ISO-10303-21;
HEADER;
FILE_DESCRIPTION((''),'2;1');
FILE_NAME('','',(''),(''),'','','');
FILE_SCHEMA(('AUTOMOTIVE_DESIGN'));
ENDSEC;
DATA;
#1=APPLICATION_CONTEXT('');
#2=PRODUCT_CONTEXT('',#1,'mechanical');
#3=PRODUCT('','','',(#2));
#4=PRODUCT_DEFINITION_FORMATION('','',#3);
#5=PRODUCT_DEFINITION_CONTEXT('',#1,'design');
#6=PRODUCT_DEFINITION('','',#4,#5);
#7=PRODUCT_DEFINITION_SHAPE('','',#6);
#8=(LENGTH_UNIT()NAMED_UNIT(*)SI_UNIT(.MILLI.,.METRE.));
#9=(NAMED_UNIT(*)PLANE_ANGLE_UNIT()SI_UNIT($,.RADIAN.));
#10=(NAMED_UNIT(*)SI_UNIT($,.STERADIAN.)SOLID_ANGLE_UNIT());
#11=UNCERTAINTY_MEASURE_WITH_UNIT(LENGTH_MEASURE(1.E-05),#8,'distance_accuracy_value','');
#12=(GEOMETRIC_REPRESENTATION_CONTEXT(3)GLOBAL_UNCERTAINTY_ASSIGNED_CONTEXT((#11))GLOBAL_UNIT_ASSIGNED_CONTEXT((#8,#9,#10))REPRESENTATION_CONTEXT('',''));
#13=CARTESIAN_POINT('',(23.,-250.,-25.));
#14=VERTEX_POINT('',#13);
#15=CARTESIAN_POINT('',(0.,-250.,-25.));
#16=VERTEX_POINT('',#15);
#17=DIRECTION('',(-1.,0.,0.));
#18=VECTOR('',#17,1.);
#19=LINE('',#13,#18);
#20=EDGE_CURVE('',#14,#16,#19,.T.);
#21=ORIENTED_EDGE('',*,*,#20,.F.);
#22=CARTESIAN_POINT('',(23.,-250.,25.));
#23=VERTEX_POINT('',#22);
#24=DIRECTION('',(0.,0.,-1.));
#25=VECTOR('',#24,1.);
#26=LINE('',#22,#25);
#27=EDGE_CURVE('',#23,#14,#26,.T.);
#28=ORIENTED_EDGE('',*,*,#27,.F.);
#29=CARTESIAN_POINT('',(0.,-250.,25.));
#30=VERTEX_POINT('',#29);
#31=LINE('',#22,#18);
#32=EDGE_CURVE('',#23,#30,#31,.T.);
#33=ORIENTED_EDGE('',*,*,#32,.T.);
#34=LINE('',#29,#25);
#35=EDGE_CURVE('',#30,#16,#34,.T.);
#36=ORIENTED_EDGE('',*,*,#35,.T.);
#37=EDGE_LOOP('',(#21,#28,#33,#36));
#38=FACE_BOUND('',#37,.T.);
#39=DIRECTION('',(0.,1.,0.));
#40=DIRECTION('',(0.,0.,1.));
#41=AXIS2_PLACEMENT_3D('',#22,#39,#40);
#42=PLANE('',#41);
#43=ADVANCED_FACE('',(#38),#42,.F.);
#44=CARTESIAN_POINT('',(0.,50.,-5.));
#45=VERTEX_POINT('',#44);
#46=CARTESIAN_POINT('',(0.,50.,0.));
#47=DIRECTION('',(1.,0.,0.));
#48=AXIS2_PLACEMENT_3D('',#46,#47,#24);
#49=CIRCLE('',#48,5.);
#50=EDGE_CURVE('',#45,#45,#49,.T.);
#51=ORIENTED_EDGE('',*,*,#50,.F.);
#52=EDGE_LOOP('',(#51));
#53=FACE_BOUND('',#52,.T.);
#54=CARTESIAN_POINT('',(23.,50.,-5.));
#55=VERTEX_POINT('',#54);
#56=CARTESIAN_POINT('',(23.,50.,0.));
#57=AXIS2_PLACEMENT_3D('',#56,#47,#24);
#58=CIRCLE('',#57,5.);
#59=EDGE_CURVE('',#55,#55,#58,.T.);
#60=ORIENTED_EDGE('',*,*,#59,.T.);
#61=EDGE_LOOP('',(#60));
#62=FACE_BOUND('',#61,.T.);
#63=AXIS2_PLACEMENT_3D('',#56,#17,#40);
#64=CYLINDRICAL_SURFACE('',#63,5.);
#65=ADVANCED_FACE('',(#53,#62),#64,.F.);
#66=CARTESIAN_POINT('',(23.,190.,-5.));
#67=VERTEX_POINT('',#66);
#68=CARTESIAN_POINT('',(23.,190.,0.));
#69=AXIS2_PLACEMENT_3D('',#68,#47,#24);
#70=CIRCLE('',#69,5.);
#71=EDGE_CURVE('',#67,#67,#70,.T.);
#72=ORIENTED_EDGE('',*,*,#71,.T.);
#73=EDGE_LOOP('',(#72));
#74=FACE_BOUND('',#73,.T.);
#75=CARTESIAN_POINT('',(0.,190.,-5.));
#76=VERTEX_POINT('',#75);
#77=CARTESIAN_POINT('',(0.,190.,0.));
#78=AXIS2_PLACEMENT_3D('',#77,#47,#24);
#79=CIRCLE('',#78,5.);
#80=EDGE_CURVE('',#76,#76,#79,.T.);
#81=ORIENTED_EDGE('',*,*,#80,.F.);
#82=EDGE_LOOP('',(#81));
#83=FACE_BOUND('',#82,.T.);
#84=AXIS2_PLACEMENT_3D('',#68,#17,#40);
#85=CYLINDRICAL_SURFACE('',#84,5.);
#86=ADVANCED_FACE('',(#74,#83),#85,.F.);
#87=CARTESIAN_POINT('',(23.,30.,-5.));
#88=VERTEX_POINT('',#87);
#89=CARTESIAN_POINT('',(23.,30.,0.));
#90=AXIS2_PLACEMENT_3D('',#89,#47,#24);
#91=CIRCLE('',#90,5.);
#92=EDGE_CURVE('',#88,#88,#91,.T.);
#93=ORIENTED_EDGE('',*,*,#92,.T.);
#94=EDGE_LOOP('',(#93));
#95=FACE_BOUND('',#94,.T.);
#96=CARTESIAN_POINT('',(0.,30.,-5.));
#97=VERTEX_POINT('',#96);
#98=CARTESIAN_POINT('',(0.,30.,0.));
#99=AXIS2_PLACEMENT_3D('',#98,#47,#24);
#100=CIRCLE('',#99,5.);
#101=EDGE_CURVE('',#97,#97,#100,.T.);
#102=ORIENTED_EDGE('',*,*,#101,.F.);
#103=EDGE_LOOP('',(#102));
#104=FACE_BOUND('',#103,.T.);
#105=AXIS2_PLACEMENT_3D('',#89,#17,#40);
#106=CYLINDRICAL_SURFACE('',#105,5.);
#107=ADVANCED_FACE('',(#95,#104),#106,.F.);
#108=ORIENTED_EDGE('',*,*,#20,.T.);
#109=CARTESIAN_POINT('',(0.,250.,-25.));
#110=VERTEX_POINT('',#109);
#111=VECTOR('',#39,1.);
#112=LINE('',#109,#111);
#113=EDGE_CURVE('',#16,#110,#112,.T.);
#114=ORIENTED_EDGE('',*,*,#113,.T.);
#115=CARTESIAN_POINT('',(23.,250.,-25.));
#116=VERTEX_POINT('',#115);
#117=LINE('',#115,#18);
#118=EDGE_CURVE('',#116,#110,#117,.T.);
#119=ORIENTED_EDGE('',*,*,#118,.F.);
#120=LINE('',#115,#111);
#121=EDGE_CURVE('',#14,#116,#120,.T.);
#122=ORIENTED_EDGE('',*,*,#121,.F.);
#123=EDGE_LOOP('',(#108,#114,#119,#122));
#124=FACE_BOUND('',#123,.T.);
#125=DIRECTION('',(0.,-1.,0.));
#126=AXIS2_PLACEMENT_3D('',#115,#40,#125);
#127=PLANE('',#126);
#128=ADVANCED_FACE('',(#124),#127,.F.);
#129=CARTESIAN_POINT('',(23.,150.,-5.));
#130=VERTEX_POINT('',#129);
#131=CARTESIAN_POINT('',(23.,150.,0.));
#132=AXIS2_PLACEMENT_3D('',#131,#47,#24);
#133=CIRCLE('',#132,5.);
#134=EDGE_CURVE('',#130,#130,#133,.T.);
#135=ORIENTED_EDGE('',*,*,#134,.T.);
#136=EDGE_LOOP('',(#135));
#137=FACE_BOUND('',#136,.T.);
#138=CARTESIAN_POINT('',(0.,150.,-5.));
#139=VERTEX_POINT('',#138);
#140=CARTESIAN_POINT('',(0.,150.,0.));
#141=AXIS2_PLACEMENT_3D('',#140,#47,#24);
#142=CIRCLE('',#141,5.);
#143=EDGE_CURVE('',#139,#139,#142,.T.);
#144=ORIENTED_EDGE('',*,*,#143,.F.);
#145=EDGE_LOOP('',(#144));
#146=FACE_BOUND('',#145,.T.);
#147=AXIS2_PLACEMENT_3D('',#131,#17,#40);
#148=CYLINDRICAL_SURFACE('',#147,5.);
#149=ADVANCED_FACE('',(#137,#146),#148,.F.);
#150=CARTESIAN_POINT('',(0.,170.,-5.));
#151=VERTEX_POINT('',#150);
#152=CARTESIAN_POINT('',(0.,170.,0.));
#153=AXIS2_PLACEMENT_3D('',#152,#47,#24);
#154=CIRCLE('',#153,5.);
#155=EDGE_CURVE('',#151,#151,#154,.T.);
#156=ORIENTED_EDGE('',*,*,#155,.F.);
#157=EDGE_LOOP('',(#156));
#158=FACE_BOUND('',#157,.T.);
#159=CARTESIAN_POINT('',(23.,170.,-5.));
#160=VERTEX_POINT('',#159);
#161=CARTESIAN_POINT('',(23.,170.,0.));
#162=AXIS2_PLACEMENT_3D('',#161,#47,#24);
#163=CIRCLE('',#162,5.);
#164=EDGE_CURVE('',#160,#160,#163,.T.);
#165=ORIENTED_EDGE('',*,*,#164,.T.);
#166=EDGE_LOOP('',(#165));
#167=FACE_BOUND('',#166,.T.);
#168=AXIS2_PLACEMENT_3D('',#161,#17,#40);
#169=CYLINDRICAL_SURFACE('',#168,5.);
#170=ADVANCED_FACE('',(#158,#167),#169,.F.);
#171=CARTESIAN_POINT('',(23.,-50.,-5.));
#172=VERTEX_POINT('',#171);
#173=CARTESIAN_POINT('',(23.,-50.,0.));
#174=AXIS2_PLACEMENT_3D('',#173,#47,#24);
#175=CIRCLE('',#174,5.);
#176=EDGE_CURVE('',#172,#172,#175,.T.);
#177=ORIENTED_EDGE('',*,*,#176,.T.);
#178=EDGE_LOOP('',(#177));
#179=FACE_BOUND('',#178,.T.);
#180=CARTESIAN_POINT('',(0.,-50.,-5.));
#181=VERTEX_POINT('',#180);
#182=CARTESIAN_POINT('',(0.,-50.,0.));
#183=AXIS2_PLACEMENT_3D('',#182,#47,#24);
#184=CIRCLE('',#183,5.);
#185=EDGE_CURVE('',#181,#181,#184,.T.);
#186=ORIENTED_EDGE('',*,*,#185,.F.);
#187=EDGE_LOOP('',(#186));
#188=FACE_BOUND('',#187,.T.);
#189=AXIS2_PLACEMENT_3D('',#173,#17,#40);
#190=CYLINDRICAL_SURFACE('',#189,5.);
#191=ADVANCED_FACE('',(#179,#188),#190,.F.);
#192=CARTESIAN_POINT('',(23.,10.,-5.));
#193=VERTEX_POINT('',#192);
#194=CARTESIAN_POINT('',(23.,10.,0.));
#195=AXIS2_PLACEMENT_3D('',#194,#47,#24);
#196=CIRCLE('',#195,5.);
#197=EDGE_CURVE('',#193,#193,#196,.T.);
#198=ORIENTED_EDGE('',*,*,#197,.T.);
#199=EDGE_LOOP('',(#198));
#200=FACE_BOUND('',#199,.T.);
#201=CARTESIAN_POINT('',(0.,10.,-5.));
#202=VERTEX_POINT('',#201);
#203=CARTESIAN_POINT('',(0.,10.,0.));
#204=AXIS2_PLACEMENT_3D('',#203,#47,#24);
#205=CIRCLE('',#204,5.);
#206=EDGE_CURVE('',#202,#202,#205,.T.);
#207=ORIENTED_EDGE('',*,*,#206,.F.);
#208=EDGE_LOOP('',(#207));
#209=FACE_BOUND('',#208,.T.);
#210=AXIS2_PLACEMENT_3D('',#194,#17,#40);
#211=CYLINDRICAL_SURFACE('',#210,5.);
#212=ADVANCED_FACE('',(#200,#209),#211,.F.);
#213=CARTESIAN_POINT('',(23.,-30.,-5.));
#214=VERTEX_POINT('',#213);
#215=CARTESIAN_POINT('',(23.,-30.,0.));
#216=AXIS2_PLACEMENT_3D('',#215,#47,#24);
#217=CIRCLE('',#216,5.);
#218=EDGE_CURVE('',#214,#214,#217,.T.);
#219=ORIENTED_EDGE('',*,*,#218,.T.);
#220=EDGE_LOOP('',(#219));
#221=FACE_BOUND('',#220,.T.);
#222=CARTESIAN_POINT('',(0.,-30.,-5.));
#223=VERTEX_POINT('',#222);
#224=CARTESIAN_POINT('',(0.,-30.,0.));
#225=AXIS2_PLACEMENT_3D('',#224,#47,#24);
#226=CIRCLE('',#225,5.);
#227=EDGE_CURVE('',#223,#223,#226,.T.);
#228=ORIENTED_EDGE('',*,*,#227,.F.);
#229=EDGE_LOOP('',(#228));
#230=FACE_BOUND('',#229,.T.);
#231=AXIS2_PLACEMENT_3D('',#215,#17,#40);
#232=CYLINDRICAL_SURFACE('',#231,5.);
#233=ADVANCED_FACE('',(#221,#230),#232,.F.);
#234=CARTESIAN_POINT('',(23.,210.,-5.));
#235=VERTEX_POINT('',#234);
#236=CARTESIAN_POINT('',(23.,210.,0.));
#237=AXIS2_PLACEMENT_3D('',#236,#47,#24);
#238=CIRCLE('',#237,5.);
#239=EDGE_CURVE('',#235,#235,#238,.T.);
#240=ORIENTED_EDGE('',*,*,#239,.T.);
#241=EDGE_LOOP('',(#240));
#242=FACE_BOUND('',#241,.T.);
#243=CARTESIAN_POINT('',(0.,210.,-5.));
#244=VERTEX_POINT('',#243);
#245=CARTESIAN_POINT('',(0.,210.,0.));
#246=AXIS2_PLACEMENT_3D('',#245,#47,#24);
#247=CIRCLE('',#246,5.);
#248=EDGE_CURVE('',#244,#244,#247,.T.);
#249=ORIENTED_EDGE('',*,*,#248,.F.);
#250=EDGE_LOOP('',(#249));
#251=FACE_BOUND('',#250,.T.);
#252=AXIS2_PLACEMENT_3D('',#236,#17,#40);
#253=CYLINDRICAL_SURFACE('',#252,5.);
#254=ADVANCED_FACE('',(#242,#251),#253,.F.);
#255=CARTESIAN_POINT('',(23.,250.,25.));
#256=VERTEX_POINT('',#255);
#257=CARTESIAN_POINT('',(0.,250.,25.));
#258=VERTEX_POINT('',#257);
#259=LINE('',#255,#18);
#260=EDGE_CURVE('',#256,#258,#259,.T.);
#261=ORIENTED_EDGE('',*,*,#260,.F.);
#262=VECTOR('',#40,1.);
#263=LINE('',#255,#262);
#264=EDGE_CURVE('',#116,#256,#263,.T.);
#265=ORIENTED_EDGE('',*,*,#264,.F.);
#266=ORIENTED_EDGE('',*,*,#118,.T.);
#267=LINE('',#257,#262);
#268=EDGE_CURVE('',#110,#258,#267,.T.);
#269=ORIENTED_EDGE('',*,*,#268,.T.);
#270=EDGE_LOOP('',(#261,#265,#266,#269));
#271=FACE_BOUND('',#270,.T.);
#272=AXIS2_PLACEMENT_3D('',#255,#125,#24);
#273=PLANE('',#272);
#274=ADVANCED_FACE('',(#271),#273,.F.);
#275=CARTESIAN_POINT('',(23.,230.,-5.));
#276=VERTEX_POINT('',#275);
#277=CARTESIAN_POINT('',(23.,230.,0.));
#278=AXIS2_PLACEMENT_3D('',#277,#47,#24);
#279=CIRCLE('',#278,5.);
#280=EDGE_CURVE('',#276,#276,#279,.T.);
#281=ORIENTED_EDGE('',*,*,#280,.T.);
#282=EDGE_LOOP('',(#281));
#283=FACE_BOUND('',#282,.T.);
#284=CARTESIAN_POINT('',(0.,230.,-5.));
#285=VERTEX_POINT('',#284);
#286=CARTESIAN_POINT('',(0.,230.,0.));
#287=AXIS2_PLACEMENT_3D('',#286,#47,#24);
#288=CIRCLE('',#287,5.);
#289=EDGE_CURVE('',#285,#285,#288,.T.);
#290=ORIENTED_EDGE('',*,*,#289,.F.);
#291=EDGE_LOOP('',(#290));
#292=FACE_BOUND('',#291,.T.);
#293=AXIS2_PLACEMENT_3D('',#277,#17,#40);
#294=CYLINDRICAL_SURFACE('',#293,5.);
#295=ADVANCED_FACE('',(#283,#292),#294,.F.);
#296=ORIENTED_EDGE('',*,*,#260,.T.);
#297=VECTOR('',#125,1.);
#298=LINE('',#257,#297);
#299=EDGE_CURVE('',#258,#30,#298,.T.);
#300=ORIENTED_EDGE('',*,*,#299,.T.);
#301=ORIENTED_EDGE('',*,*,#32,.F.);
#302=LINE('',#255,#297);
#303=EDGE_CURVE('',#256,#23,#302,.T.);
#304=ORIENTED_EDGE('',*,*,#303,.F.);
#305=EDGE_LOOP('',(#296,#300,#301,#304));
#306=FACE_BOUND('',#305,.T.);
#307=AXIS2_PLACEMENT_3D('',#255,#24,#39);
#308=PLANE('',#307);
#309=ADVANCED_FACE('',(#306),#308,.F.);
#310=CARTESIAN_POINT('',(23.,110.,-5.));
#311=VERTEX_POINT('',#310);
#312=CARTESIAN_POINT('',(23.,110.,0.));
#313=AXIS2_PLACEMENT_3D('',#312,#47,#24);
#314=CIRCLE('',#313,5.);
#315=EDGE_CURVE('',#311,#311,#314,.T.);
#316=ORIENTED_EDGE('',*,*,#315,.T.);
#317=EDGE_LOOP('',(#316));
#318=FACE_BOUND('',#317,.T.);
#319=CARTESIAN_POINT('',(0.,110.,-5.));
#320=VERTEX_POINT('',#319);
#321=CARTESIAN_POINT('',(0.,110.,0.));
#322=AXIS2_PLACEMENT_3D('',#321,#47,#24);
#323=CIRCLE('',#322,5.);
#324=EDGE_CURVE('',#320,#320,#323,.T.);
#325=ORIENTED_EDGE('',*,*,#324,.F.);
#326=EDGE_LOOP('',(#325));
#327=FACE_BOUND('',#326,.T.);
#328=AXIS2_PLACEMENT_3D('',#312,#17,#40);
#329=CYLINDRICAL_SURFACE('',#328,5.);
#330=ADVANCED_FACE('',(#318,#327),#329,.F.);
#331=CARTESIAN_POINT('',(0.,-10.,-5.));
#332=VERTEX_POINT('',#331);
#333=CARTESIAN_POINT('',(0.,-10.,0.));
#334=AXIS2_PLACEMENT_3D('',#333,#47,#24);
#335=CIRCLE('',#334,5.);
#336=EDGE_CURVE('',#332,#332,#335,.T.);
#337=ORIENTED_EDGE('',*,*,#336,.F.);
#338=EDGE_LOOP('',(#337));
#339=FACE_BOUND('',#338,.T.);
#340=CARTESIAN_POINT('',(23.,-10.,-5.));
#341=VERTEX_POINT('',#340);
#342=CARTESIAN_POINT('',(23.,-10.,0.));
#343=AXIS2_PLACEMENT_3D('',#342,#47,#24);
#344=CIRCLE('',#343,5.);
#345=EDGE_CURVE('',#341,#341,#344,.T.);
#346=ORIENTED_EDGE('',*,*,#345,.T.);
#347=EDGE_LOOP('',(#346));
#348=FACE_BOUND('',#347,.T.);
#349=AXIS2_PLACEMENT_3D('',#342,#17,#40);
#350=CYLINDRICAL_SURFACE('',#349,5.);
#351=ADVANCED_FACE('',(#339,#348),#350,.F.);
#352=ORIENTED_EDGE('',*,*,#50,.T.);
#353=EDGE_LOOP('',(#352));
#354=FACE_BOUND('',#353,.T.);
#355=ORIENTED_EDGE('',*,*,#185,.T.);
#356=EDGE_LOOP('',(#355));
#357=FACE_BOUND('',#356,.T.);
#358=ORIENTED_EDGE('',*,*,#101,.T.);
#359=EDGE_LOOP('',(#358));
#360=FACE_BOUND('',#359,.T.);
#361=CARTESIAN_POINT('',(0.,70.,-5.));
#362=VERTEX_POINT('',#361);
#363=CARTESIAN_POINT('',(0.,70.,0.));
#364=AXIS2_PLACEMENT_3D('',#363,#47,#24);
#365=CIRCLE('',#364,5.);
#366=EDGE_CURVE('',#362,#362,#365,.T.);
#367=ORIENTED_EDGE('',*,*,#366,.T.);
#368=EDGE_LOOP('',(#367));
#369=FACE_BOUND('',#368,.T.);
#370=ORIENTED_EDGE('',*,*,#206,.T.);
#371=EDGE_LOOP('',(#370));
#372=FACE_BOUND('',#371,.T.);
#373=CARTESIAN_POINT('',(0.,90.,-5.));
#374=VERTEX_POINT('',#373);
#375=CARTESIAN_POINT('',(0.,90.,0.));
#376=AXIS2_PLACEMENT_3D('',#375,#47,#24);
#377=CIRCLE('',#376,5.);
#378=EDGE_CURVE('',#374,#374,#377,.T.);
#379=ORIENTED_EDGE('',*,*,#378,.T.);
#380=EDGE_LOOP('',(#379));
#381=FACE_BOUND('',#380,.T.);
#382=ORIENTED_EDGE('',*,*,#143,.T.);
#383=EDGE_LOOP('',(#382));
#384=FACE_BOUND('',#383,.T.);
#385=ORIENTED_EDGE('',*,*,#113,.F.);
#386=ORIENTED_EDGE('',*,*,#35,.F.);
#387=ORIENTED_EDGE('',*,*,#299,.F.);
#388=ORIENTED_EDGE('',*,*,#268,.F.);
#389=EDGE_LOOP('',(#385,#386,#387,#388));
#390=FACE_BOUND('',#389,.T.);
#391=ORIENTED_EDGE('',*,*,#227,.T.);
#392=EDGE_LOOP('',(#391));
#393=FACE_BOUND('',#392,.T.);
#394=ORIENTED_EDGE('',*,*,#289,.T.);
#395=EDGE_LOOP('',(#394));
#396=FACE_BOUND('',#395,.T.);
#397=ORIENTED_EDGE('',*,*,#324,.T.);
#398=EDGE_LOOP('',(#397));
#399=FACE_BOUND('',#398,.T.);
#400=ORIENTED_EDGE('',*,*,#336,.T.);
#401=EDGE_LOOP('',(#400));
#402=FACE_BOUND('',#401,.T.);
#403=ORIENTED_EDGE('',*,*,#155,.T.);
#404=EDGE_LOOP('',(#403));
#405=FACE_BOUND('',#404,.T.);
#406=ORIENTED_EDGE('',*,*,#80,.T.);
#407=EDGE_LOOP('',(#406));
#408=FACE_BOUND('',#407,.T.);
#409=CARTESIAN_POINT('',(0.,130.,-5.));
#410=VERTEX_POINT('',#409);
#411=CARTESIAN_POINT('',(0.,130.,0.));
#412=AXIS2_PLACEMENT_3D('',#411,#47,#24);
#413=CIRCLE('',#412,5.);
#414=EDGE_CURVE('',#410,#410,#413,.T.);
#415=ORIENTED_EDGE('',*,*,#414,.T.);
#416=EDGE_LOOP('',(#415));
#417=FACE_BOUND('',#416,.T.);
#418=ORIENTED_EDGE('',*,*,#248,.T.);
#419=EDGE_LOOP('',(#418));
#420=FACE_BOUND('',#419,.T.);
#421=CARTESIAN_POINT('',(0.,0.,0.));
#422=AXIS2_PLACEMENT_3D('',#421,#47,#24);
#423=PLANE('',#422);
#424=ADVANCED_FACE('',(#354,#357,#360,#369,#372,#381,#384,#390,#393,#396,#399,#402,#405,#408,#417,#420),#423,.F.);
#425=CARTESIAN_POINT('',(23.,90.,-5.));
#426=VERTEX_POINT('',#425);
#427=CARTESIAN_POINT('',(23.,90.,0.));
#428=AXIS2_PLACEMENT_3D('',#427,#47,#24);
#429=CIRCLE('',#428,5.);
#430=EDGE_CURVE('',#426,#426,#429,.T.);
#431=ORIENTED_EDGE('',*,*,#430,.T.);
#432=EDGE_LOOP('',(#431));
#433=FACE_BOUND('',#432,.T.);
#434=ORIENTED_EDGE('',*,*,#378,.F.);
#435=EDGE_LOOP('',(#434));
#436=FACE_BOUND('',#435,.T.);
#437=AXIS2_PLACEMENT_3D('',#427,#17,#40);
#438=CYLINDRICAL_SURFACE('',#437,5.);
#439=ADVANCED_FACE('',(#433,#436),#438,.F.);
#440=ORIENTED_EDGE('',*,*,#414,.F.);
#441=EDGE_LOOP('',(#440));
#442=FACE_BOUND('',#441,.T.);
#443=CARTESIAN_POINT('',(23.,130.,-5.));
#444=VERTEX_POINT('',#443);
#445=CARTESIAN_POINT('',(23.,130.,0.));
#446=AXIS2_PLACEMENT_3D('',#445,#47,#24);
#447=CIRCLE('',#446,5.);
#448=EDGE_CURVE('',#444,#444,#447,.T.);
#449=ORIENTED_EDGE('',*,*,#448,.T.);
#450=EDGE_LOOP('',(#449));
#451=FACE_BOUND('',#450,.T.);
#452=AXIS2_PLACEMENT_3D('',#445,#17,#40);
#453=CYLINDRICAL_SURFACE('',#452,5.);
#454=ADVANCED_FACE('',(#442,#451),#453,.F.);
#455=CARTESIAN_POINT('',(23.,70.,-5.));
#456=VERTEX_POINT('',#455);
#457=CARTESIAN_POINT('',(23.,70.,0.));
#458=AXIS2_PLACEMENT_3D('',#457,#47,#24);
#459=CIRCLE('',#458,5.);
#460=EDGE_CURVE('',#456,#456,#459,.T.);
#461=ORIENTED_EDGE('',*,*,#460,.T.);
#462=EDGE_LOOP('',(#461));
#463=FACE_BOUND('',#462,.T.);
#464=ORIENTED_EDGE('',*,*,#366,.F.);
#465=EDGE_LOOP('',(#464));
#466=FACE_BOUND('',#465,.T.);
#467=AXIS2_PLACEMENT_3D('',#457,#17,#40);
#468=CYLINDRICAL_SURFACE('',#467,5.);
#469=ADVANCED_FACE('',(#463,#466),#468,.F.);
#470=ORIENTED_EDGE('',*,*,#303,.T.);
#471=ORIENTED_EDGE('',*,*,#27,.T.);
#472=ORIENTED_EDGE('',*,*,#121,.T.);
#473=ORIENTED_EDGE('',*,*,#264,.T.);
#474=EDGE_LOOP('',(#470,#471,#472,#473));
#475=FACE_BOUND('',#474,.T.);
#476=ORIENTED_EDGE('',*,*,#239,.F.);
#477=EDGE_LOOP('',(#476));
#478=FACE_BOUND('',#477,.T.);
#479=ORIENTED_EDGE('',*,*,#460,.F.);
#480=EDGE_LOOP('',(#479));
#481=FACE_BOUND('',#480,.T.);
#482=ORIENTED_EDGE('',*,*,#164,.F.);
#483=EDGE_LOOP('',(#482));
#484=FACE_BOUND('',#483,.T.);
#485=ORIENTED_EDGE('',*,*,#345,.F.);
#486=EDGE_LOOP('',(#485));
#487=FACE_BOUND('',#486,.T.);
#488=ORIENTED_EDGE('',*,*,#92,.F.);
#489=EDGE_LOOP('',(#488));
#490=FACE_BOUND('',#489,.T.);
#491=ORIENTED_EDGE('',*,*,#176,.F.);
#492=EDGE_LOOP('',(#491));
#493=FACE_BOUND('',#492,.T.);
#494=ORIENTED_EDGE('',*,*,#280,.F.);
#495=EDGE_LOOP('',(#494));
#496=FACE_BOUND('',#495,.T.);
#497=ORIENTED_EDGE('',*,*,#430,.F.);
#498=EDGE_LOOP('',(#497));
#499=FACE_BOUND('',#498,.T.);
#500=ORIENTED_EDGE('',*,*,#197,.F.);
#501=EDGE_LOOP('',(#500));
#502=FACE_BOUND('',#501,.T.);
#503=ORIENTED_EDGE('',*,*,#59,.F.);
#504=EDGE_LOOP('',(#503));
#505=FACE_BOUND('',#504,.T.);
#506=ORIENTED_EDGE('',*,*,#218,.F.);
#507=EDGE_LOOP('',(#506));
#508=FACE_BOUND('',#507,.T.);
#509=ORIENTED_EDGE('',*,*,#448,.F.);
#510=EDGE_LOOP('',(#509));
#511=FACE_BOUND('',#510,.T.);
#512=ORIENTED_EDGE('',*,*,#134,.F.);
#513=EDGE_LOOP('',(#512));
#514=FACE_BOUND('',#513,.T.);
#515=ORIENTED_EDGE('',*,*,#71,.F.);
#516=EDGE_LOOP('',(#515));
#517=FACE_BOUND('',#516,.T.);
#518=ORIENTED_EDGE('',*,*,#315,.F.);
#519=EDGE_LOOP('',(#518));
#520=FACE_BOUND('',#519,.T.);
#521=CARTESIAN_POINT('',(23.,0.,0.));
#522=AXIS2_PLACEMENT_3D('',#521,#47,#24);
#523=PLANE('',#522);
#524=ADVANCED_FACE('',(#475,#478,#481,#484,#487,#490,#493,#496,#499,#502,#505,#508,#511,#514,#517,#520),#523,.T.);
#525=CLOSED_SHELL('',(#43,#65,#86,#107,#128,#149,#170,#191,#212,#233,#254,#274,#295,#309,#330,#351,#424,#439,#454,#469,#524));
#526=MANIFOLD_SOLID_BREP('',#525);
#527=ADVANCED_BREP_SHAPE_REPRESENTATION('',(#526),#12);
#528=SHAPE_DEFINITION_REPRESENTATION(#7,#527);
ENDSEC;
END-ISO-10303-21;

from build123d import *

# Parameters (mm, degrees)
SKETCH1_W           = 50
SKETCH1_H           = 500
SKETCH1_R           = 5
BOSS_EXTRUDE1_DEPTH = 23


with BuildPart() as part:
    # Sketch1 → Boss-Extrude1 (new body)
    with BuildSketch(Plane(origin=(0, 0, 0), x_dir=(0, 0, -1), z_dir=(1, 0, 0))):
        Rectangle(SKETCH1_W, SKETCH1_H)
        with Locations((0, 230)):
            Circle(SKETCH1_R, mode=Mode.SUBTRACT)
        with Locations((0, 210)):
            Circle(SKETCH1_R, mode=Mode.SUBTRACT)
        with Locations((0, 190)):
            Circle(SKETCH1_R, mode=Mode.SUBTRACT)
        with Locations((0, 170)):
            Circle(SKETCH1_R, mode=Mode.SUBTRACT)
        with Locations((0, 150)):
            Circle(SKETCH1_R, mode=Mode.SUBTRACT)
        with Locations((0, 130)):
            Circle(SKETCH1_R, mode=Mode.SUBTRACT)
        with Locations((0, 110)):
            Circle(SKETCH1_R, mode=Mode.SUBTRACT)
        with Locations((0, 90)):
            Circle(SKETCH1_R, mode=Mode.SUBTRACT)
        with Locations((0, 70)):
            Circle(SKETCH1_R, mode=Mode.SUBTRACT)
        with Locations((0, 50)):
            Circle(SKETCH1_R, mode=Mode.SUBTRACT)
        with Locations((0, 30)):
            Circle(SKETCH1_R, mode=Mode.SUBTRACT)
        with Locations((0, 10)):
            Circle(SKETCH1_R, mode=Mode.SUBTRACT)
        with Locations((0, -10)):
            Circle(SKETCH1_R, mode=Mode.SUBTRACT)
        with Locations((0, -30)):
            Circle(SKETCH1_R, mode=Mode.SUBTRACT)
        with Locations((0, -50)):
            Circle(SKETCH1_R, mode=Mode.SUBTRACT)
    extrude(amount=BOSS_EXTRUDE1_DEPTH)


solid = part.part
